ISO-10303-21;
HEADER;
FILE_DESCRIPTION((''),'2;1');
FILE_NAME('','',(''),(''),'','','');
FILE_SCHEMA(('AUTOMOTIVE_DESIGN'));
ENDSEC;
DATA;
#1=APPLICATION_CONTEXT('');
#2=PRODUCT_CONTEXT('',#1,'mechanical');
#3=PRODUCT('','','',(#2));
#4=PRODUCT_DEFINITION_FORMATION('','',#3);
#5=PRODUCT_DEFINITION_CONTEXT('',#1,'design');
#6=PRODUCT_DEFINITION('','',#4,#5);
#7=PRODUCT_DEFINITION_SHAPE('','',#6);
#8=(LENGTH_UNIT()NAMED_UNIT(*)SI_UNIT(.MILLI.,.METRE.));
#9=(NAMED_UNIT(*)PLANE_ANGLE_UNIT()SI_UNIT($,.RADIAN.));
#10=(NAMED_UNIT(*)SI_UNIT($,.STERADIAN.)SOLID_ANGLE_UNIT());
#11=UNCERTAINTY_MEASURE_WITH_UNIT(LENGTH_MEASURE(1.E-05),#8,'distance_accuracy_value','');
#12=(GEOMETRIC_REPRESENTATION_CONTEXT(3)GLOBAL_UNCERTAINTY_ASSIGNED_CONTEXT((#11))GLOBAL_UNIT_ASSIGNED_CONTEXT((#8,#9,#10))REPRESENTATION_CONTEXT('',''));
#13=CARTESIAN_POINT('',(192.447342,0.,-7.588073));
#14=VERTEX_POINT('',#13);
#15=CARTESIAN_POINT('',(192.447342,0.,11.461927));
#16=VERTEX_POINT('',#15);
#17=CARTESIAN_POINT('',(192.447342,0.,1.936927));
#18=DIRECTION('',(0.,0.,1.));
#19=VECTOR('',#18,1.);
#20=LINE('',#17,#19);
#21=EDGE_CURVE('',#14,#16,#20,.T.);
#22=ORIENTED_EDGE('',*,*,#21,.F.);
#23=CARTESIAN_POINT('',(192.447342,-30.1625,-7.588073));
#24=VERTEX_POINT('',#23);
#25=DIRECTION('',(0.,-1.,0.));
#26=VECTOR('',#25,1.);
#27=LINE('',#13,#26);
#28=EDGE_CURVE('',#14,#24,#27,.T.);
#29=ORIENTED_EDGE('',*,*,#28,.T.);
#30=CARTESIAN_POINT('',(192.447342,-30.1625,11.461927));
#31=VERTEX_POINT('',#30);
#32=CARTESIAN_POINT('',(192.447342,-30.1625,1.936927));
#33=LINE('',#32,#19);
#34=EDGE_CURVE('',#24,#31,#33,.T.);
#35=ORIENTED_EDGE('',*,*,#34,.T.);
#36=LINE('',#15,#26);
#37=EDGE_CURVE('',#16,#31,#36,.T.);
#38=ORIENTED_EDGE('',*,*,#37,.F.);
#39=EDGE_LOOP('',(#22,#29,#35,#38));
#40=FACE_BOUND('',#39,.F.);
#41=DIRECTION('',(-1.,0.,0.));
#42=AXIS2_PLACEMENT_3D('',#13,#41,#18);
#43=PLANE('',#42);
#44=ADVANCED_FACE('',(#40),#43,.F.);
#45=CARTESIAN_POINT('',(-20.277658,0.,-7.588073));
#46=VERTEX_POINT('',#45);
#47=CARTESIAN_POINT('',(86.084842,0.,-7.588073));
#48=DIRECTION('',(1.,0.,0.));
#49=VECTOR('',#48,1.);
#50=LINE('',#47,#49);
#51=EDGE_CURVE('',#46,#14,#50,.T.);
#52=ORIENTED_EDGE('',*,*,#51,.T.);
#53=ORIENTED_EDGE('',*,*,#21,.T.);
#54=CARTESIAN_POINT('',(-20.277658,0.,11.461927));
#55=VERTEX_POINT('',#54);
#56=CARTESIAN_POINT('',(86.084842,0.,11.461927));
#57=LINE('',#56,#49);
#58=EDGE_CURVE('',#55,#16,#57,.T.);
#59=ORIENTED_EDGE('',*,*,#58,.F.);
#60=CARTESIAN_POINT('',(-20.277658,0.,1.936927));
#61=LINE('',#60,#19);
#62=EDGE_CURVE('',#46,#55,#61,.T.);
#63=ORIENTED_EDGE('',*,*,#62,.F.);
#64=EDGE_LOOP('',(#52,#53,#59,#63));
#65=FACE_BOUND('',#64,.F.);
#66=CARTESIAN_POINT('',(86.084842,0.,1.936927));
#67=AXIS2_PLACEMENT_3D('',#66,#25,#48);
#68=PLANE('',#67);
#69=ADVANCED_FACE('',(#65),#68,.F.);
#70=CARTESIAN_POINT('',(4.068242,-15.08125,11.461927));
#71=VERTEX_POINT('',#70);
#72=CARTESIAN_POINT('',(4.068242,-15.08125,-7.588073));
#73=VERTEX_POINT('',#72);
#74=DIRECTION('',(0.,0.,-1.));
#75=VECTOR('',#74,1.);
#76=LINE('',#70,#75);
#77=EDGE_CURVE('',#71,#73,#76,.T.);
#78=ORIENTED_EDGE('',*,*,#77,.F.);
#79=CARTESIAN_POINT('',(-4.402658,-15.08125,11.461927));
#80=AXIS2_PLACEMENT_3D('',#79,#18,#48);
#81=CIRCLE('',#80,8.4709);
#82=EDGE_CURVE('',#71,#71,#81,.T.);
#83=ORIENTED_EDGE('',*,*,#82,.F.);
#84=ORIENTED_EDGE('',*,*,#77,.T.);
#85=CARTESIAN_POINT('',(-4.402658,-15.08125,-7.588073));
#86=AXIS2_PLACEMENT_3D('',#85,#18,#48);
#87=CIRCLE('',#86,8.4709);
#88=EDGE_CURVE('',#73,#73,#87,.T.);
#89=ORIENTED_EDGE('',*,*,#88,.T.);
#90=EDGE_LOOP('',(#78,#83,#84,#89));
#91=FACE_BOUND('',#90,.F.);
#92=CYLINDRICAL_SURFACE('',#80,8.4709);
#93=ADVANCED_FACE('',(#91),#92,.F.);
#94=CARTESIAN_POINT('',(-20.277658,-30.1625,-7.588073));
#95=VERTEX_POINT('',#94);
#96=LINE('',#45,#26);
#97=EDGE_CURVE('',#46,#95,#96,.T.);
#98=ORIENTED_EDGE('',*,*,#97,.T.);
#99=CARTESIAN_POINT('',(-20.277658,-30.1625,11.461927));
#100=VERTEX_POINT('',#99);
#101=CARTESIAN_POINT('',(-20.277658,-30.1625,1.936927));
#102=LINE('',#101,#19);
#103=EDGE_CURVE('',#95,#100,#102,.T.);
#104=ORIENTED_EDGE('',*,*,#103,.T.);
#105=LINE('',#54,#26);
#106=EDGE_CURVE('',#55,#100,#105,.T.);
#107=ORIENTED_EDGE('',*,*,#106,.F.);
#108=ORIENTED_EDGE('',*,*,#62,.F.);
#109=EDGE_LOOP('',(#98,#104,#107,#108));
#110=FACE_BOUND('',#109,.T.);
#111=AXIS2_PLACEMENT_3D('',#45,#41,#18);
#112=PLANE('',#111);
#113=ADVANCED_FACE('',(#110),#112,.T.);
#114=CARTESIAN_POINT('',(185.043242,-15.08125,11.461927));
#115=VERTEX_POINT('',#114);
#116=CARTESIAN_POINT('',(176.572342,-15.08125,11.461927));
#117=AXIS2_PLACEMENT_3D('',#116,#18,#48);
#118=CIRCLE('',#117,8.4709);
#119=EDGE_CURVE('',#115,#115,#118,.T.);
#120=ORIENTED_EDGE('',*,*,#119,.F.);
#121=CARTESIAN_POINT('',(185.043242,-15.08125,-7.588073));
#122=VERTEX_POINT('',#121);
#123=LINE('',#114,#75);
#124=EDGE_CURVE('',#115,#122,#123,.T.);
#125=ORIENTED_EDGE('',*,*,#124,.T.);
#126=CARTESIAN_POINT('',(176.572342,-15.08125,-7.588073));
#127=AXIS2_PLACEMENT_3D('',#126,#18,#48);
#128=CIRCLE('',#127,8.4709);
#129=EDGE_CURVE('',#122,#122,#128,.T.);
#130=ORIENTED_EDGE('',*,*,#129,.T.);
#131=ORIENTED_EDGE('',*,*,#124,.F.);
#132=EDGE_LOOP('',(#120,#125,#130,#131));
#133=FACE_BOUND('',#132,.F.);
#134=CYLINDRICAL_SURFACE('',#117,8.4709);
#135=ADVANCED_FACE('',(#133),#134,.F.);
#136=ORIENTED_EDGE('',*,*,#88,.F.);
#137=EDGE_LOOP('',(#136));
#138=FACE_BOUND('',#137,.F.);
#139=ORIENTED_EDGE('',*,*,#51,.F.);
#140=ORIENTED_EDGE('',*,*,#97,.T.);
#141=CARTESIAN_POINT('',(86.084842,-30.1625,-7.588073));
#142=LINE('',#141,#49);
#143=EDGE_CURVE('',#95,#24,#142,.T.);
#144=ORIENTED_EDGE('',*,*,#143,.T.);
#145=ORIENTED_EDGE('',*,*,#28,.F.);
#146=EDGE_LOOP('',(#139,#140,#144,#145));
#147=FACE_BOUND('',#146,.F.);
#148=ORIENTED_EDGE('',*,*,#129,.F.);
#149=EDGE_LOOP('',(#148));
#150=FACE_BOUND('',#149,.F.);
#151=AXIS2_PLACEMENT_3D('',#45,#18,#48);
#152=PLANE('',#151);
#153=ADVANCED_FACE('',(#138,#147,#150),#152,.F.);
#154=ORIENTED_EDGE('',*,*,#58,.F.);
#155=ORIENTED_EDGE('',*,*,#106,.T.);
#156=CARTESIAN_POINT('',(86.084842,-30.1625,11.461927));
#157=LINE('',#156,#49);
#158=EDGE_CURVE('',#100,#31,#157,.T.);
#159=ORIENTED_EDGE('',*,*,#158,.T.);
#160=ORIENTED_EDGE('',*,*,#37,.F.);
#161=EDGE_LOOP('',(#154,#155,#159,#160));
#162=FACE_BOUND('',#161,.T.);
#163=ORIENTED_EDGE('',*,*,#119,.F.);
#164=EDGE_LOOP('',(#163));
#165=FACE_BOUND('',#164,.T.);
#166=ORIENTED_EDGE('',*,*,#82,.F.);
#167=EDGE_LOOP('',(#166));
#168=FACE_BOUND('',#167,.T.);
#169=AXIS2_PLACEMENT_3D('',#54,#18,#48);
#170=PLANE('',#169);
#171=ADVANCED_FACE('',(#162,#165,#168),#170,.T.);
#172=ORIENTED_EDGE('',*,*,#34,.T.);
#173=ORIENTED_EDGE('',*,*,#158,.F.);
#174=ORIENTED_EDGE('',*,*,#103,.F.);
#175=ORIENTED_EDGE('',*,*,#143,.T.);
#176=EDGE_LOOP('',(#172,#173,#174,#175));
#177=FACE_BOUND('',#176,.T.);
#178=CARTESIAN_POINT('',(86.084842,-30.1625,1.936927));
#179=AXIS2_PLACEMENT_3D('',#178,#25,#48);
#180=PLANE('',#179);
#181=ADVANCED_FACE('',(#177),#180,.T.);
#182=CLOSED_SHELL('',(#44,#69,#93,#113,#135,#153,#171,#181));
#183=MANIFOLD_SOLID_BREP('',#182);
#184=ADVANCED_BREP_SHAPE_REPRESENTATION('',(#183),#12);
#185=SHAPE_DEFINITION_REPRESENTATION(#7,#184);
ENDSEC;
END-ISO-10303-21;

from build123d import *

# Parameters (mm, degrees)
F0_W     = 212.725
F0_H     = 19.05
F1_DEPTH = 30.1625
F2_R     = 8.4709
F3_DEPTH = 25.4


with BuildPart() as f1:
    # F0 (on Front) → F1 (new body)
    with BuildSketch(Plane.XZ):
        with Locations((86.084842, 1.936927)):
            Rectangle(F0_W, F0_H)
    extrude(amount=F1_DEPTH)

    # F2 (on face) → F3 (cut)
    with BuildSketch(Plane.XY.offset(11.461927)):
        with Locations((-4.402658, -15.08125)):
            Circle(F2_R)
        with Locations((176.572342, -15.08125)):
            Circle(F2_R)
    extrude(amount=-F3_DEPTH, mode=Mode.SUBTRACT)


solid = f1.part
